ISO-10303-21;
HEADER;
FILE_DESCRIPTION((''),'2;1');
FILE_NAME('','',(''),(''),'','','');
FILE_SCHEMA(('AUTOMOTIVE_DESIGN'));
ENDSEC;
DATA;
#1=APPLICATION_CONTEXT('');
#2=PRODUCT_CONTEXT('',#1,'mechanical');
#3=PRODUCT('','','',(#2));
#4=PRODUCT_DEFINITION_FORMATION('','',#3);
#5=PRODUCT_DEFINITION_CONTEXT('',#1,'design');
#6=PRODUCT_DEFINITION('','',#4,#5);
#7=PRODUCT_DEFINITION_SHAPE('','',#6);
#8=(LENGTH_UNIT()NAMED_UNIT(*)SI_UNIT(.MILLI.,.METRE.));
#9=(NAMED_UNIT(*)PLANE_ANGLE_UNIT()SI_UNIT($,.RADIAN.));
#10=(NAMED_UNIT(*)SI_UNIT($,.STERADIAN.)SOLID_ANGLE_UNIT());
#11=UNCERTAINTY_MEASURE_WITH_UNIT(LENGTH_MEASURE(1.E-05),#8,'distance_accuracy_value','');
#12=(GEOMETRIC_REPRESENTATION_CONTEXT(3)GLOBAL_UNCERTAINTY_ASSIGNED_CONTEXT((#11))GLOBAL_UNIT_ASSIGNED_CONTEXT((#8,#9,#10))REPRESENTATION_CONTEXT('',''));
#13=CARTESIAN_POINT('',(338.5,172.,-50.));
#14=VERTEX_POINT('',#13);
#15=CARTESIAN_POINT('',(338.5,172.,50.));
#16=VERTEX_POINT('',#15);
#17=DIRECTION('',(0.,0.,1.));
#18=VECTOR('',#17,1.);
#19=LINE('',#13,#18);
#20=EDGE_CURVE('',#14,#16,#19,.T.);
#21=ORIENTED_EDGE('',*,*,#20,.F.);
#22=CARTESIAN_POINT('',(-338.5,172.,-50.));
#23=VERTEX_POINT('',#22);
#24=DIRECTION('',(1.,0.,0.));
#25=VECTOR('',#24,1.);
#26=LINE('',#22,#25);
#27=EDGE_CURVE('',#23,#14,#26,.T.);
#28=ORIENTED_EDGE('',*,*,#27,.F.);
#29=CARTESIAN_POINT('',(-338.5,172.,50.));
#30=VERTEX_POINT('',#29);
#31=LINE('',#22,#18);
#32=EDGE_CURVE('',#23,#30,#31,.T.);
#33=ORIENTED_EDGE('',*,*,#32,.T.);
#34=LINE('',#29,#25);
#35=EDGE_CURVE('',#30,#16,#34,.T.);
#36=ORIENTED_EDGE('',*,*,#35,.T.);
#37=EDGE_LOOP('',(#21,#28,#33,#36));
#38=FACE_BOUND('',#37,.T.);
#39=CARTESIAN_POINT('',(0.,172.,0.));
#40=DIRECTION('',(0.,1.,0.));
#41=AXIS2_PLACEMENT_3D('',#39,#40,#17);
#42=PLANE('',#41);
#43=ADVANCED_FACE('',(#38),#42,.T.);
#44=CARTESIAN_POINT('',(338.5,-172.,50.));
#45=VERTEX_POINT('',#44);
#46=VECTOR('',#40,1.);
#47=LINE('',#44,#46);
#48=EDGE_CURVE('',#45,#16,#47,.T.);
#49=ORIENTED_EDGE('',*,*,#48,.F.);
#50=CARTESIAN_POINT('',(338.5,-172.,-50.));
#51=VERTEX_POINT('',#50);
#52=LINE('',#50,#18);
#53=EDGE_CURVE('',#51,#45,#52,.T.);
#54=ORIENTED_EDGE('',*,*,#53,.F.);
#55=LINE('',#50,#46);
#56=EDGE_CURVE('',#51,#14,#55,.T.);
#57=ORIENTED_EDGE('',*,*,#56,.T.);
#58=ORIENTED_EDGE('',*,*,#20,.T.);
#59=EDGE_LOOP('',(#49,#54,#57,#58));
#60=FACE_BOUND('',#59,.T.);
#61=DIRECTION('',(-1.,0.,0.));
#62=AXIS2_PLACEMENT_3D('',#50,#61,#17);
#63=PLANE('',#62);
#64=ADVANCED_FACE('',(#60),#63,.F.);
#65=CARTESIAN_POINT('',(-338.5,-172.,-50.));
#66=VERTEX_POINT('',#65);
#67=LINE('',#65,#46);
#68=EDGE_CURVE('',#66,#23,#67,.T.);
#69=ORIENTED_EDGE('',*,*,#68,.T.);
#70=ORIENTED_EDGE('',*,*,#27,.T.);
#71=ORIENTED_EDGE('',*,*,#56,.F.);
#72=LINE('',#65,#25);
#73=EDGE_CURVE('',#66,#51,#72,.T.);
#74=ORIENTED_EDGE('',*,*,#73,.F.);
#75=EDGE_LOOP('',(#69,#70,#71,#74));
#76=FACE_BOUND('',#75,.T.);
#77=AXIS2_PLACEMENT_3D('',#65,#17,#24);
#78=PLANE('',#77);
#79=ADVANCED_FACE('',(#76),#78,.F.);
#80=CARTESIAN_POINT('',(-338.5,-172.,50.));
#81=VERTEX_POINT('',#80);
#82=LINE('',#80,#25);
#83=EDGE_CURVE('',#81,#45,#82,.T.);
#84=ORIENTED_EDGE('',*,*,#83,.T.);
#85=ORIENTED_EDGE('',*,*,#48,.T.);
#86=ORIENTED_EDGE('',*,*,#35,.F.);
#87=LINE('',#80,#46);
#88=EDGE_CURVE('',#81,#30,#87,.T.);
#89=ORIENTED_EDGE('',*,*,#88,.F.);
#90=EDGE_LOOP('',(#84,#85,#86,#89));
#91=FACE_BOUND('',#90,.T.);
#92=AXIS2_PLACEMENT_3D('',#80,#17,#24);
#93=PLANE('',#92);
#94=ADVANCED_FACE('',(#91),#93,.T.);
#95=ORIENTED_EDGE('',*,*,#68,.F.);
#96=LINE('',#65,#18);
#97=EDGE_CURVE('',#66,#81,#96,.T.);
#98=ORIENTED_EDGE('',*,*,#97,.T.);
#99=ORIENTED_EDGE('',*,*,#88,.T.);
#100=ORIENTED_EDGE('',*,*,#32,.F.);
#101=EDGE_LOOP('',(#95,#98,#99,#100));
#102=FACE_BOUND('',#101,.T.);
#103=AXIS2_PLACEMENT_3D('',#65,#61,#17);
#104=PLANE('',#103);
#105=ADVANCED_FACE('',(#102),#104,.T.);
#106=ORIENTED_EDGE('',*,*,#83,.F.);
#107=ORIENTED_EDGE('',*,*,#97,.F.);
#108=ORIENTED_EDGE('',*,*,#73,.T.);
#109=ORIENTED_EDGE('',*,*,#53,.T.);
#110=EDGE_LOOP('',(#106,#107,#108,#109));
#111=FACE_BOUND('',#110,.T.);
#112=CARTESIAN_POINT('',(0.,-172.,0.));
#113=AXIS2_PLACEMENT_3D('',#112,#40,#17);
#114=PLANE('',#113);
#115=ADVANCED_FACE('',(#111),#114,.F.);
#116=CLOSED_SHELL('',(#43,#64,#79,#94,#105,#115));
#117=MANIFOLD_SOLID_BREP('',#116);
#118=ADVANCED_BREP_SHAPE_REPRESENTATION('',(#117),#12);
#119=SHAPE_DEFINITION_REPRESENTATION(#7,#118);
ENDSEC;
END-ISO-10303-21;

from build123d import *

# Parameters (mm, degrees)
BOSS_EXTRUDE1_DEPTH      = 172
BOSS_EXTRUDE1_DEPTH_BACK = 172
SKETCH2_W                = 677
SKETCH2_H                = 100


with BuildPart() as part:
    # Sketch2 → Boss-Extrude1 (new, two sides: drawn at the far end of the back side and taken through both)
    with BuildSketch(Plane(origin=(0, 0, 0), x_dir=(1, 0, 0), z_dir=(0, 1, 0)).offset(-BOSS_EXTRUDE1_DEPTH_BACK)):
        Rectangle(SKETCH2_W, SKETCH2_H)
    extrude(amount=BOSS_EXTRUDE1_DEPTH + BOSS_EXTRUDE1_DEPTH_BACK)


solid = part.part
